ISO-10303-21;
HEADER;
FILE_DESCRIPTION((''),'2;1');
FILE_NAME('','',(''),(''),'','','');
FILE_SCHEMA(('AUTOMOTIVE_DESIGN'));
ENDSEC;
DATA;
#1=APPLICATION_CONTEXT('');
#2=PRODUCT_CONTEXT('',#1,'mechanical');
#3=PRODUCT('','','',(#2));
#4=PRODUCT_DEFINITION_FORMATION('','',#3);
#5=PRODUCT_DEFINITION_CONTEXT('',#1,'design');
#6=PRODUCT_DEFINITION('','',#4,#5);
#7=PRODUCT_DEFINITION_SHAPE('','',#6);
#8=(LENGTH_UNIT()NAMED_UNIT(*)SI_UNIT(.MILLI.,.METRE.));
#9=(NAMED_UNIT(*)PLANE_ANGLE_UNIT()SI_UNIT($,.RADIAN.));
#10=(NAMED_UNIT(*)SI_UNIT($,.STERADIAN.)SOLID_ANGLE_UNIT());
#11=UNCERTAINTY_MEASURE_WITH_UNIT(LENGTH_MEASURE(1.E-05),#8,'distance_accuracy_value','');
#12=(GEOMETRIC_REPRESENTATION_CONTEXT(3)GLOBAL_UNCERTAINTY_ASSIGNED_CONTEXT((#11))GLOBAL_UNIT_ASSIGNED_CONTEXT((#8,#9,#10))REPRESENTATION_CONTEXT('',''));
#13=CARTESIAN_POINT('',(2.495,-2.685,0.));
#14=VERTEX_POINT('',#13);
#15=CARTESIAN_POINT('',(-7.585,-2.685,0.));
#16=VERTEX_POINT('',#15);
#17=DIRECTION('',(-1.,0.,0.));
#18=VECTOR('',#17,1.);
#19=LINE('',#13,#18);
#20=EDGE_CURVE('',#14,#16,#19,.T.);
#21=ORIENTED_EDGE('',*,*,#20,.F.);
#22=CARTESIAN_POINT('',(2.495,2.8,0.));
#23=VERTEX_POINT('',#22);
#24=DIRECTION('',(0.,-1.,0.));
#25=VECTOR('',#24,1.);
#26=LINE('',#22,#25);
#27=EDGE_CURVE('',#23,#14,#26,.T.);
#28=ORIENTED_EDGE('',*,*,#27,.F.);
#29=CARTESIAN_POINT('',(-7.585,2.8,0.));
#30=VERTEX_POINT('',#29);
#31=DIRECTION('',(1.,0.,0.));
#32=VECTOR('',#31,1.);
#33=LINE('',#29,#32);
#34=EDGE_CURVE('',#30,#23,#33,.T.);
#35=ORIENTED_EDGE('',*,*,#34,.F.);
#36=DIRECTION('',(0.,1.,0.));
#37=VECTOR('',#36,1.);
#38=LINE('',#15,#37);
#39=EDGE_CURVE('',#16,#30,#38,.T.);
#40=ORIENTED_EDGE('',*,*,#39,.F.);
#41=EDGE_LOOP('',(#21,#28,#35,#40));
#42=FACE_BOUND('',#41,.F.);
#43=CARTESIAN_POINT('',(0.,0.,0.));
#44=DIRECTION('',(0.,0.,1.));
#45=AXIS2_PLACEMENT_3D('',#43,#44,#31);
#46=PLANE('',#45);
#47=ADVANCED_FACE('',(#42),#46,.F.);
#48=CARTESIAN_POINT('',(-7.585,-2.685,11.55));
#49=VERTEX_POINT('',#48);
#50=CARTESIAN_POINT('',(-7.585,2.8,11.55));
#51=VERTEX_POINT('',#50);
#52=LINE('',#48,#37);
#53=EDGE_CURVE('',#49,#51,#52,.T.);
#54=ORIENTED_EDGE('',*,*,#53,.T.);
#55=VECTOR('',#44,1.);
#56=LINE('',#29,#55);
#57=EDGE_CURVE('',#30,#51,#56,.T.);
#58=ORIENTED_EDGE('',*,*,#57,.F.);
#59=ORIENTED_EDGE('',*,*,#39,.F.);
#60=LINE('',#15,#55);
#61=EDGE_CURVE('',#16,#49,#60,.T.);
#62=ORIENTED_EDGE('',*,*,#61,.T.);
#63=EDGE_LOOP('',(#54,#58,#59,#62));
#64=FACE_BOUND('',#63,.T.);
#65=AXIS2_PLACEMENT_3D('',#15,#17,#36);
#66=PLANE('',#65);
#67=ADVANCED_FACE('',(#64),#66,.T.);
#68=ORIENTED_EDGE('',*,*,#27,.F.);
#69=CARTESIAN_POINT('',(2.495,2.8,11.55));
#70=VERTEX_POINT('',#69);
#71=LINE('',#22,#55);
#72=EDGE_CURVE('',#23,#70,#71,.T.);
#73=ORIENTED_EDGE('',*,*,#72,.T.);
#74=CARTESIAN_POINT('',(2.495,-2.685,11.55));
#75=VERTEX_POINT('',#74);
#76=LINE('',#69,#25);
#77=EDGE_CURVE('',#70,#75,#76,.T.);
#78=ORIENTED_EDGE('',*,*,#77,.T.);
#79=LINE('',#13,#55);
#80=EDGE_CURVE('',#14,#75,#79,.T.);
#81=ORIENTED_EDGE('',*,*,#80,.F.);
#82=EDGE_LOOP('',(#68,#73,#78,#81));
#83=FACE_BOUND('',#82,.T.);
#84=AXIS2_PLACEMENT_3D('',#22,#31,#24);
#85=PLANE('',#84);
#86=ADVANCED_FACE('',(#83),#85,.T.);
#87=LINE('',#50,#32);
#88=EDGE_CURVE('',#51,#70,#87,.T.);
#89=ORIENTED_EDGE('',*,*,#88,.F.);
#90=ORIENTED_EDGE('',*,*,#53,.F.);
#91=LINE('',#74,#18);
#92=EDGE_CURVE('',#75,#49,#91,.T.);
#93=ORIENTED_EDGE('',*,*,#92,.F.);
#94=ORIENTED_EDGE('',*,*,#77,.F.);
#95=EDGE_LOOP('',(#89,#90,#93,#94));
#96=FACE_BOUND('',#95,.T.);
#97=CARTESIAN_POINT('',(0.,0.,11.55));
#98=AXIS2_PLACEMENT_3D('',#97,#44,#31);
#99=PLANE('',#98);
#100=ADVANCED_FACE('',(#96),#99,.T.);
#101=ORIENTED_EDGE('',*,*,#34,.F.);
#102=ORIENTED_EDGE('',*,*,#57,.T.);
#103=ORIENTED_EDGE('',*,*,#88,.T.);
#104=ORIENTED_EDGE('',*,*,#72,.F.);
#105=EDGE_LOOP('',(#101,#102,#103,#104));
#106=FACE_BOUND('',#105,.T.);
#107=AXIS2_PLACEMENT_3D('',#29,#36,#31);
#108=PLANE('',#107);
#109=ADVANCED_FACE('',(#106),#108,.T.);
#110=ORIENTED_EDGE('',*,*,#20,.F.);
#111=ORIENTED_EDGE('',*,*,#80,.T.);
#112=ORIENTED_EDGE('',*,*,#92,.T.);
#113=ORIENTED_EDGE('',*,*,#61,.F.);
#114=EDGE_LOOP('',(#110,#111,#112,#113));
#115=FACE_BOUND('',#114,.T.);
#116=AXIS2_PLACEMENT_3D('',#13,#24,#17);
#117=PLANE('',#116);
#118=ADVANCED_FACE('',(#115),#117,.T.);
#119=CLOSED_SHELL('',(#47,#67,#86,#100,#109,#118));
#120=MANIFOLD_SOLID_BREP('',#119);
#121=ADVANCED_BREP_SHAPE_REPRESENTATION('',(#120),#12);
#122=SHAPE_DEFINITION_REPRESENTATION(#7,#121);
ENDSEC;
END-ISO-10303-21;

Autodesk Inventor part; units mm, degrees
ref_plane "YZ Plane" through (0, 0, 0) normal (1, 0, 0) x (0, 1, 0)
ref_plane "XZ Plane" through (0, 0, 0) normal (0, 1, 0) x (-1, 0, 0)
ref_plane "XY Plane" through (0, 0, 0) normal (0, 0, 1) x (1, 0, 0)
sketch3d "SHDR3W54P0X254_1X3_953X483X115_11.550000, 3296W-1-103LF_11.5"
sketch "SHDR3W54P0X254_1X3_953X483X115_11.550000, 3296W-1-103LF_11.550000_1" plane through (0, 0, 0) normal (0, 0, 1) x (1, 0, 0)
  line L0 (-7.585, 2.8) -> (2.495, 2.8)
  line L1 (2.495, 2.8) -> (2.495, -2.685)
  line L2 (2.495, -2.685) -> (-7.585, -2.685)
  line L3 (-7.585, -2.685) -> (-7.585, 2.8)
extrude "Extrusion1" add sketch "SHDR3W54P0X254_1X3_953X483X115_11.550000, 3296W-1-103LF_11.550000_1" along normal blind 11.55
properties part number "3296W-1-103LF_11.550000"
